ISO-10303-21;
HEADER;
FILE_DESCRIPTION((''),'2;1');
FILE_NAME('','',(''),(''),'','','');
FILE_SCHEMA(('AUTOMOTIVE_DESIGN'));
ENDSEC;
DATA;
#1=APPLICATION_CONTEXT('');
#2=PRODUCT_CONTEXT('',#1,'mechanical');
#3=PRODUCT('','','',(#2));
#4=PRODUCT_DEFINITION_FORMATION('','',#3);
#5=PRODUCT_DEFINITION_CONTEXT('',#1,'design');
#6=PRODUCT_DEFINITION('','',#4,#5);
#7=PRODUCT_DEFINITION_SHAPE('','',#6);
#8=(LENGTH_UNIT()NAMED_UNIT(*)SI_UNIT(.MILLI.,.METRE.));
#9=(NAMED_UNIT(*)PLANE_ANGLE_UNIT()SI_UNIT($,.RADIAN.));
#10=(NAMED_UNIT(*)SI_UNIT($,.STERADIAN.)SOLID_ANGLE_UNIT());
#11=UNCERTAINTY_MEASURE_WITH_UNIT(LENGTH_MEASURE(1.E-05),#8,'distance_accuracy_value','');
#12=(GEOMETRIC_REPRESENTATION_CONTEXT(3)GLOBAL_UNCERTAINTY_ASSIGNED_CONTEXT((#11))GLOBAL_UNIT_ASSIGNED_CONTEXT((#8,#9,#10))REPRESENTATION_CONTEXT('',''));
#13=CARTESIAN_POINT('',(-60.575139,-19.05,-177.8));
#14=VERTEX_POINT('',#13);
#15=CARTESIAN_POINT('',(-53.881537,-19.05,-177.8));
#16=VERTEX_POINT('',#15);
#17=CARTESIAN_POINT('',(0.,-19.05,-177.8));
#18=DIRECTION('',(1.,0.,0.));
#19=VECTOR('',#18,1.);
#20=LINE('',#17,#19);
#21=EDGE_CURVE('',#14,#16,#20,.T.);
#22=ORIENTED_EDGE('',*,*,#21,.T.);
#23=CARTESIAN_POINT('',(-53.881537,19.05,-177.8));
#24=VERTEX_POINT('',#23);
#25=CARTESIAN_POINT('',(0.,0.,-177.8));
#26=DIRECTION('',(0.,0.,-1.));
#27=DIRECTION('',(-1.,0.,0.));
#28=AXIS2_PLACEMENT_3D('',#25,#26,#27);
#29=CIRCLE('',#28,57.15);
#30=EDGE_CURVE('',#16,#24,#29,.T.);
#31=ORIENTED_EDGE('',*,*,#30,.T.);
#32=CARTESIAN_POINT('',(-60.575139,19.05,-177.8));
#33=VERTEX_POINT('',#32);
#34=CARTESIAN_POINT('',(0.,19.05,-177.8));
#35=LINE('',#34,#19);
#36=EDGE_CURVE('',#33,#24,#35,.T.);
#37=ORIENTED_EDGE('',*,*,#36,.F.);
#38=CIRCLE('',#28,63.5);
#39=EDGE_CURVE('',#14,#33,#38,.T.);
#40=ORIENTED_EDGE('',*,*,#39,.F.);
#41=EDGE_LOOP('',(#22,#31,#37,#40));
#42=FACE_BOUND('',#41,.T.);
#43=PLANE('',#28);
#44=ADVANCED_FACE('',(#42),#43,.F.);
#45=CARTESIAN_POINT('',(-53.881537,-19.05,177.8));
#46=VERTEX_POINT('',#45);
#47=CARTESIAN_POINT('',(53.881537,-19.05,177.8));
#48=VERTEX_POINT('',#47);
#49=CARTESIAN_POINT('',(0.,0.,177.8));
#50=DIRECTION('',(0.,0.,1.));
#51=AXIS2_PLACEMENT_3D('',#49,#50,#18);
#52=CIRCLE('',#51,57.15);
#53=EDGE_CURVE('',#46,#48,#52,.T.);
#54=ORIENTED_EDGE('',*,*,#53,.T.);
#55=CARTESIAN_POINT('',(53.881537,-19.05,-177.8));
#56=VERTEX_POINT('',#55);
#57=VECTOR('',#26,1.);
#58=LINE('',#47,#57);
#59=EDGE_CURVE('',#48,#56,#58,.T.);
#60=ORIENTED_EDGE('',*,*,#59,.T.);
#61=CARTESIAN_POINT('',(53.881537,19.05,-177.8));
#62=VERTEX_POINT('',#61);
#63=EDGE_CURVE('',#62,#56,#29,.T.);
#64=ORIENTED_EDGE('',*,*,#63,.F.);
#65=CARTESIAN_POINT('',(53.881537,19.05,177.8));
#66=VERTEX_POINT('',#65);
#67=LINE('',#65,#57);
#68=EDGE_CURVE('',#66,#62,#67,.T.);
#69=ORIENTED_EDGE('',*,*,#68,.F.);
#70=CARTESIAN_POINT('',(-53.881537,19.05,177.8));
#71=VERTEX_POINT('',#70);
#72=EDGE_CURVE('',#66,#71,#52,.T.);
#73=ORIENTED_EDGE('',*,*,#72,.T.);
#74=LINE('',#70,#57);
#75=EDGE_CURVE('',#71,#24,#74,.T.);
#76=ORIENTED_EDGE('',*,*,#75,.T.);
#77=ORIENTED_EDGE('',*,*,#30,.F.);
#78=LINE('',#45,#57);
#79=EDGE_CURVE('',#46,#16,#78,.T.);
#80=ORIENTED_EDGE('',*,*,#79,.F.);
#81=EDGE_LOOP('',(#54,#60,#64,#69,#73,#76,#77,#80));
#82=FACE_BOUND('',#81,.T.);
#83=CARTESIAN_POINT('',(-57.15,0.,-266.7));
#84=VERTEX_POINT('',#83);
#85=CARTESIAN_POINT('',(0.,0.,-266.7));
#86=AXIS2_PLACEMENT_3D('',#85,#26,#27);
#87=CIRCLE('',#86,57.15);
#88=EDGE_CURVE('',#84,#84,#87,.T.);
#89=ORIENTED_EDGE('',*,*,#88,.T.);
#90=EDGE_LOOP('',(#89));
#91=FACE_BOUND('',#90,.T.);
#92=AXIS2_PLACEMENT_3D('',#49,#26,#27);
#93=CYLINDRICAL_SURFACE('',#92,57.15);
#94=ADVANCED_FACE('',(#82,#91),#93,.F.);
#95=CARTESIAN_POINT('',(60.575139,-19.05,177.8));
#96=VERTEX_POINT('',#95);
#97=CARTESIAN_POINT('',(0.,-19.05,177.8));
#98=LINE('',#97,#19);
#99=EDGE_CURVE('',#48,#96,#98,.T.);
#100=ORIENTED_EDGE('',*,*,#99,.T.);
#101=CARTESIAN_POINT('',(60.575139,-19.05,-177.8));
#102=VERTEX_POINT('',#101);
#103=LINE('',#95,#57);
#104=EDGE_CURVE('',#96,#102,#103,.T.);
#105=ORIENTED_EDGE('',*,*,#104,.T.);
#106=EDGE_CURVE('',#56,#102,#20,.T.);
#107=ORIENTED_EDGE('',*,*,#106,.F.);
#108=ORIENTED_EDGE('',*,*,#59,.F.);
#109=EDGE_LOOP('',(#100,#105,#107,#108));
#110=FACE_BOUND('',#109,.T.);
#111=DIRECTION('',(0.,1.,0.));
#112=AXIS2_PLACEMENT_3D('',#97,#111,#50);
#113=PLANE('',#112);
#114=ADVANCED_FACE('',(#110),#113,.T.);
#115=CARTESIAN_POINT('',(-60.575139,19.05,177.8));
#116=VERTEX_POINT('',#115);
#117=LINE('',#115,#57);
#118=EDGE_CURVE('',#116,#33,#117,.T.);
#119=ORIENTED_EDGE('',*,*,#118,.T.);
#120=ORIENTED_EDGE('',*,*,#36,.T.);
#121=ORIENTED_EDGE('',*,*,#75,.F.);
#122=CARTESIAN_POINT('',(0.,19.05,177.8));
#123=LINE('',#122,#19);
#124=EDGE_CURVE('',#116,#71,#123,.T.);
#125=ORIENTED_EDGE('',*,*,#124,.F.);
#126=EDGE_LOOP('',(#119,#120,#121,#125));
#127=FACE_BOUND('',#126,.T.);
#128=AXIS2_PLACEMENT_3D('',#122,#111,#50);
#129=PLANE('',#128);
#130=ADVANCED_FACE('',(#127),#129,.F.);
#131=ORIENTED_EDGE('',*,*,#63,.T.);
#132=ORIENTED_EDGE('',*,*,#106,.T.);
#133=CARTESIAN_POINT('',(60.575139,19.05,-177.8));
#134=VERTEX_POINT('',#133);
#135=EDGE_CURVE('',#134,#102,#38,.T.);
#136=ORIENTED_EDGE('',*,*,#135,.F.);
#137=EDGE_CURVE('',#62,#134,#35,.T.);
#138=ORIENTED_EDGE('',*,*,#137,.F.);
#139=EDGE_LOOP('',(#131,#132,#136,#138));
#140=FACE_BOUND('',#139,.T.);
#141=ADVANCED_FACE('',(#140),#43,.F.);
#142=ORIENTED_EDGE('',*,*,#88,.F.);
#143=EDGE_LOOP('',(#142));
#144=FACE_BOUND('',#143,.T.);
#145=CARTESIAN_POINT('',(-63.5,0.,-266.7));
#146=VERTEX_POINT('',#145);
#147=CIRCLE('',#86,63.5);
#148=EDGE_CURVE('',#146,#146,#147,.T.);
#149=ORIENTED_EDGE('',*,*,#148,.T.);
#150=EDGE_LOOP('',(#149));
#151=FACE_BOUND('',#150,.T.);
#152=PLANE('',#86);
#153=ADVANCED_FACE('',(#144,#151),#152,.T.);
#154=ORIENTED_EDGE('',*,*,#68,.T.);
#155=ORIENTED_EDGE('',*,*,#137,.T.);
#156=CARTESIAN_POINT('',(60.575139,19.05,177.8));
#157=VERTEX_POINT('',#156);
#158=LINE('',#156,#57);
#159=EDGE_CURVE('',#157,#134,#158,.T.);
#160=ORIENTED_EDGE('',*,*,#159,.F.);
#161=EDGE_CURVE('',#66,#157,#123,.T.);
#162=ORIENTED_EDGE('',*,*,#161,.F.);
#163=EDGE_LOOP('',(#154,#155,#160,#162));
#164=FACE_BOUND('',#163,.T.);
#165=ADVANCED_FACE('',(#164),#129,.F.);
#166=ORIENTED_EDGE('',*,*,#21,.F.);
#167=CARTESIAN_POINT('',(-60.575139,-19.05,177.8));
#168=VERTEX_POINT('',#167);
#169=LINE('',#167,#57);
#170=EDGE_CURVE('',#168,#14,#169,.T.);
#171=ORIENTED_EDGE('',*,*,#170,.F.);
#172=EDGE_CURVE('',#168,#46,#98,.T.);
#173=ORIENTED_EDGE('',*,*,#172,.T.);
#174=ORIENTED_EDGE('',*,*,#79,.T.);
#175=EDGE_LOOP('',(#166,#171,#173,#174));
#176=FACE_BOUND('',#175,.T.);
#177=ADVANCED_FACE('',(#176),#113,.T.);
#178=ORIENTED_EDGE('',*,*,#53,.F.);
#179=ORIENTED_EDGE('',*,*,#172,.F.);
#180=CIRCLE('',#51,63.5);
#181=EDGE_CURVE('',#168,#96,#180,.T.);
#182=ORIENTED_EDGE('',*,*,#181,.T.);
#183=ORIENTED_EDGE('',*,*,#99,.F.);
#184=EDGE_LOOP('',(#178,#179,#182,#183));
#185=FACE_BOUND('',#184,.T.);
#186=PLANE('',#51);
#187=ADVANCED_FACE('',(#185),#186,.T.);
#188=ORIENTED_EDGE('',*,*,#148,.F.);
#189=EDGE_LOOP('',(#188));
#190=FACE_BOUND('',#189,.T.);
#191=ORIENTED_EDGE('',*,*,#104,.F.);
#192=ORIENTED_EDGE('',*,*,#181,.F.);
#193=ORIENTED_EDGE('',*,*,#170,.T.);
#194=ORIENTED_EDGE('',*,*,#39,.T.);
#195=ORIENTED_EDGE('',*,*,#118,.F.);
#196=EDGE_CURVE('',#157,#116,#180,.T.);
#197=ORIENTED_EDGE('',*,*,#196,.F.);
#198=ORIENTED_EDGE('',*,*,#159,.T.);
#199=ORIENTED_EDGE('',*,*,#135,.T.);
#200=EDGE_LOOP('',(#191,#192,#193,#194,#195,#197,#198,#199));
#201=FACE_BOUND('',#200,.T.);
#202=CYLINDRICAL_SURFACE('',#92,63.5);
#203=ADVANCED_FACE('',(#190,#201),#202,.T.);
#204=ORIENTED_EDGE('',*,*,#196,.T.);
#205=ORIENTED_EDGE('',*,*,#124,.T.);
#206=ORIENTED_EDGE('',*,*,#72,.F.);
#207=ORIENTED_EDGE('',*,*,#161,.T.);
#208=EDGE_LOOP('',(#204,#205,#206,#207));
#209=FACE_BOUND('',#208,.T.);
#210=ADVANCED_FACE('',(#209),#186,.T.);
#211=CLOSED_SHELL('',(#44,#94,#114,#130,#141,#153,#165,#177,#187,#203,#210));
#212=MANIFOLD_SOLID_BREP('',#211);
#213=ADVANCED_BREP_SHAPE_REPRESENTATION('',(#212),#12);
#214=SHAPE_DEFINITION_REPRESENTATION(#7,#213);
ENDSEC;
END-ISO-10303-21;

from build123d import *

# Parameters (mm, degrees)
BOSS_EXTRUDE1_DEPTH   = 177.8
BOSS_EXTRUDE1_2_DEPTH = 177.8
SKETCH2_R             = 63.5
SKETCH2_R_2           = 57.15
BOSS_EXTRUDE2_DEPTH   = 88.9


with BuildPart() as part:
    # Sketch1 → Boss-Extrude1 (new body, symmetric)
    with BuildSketch(Plane.XY):
        with BuildLine():
            ThreePointArc((60.575139, 19.05), (0, 63.5), (-60.575139, 19.05))
            Line((-60.575139, 19.05), (-53.881537, 19.05))
            ThreePointArc((-53.881537, 19.05), (0, 57.15), (53.881537, 19.05))
            Line((53.881537, 19.05), (60.575139, 19.05))
        make_face()
    extrude(amount=BOSS_EXTRUDE1_DEPTH, both=True)



with BuildPart() as body_2:
    # Sketch1 → Boss-Extrude1 2 (new body, symmetric)
    with BuildSketch(Plane.XY):
        with BuildLine():
            Line((-53.881537, -19.05), (-60.575139, -19.05))
            ThreePointArc((-60.575139, -19.05), (0, -63.5), (60.575139, -19.05))
            Line((60.575139, -19.05), (53.881537, -19.05))
            ThreePointArc((53.881537, -19.05), (0, -57.15), (-53.881537, -19.05))
        make_face()
    extrude(amount=BOSS_EXTRUDE1_2_DEPTH, both=True)


with BuildPart() as part_1:
    add(part.part)

    add(body_2.part)  # Boss-Extrude2 merges body 2
    # Sketch2 → Boss-Extrude2 (add)
    with BuildSketch(Plane(origin=(0, 0, -177.8), x_dir=(-1, 0, 0), z_dir=(0, 0, -1))):
        Circle(SKETCH2_R)
        Circle(SKETCH2_R_2, mode=Mode.SUBTRACT)
    extrude(amount=BOSS_EXTRUDE2_DEPTH)


solid = part_1.part
